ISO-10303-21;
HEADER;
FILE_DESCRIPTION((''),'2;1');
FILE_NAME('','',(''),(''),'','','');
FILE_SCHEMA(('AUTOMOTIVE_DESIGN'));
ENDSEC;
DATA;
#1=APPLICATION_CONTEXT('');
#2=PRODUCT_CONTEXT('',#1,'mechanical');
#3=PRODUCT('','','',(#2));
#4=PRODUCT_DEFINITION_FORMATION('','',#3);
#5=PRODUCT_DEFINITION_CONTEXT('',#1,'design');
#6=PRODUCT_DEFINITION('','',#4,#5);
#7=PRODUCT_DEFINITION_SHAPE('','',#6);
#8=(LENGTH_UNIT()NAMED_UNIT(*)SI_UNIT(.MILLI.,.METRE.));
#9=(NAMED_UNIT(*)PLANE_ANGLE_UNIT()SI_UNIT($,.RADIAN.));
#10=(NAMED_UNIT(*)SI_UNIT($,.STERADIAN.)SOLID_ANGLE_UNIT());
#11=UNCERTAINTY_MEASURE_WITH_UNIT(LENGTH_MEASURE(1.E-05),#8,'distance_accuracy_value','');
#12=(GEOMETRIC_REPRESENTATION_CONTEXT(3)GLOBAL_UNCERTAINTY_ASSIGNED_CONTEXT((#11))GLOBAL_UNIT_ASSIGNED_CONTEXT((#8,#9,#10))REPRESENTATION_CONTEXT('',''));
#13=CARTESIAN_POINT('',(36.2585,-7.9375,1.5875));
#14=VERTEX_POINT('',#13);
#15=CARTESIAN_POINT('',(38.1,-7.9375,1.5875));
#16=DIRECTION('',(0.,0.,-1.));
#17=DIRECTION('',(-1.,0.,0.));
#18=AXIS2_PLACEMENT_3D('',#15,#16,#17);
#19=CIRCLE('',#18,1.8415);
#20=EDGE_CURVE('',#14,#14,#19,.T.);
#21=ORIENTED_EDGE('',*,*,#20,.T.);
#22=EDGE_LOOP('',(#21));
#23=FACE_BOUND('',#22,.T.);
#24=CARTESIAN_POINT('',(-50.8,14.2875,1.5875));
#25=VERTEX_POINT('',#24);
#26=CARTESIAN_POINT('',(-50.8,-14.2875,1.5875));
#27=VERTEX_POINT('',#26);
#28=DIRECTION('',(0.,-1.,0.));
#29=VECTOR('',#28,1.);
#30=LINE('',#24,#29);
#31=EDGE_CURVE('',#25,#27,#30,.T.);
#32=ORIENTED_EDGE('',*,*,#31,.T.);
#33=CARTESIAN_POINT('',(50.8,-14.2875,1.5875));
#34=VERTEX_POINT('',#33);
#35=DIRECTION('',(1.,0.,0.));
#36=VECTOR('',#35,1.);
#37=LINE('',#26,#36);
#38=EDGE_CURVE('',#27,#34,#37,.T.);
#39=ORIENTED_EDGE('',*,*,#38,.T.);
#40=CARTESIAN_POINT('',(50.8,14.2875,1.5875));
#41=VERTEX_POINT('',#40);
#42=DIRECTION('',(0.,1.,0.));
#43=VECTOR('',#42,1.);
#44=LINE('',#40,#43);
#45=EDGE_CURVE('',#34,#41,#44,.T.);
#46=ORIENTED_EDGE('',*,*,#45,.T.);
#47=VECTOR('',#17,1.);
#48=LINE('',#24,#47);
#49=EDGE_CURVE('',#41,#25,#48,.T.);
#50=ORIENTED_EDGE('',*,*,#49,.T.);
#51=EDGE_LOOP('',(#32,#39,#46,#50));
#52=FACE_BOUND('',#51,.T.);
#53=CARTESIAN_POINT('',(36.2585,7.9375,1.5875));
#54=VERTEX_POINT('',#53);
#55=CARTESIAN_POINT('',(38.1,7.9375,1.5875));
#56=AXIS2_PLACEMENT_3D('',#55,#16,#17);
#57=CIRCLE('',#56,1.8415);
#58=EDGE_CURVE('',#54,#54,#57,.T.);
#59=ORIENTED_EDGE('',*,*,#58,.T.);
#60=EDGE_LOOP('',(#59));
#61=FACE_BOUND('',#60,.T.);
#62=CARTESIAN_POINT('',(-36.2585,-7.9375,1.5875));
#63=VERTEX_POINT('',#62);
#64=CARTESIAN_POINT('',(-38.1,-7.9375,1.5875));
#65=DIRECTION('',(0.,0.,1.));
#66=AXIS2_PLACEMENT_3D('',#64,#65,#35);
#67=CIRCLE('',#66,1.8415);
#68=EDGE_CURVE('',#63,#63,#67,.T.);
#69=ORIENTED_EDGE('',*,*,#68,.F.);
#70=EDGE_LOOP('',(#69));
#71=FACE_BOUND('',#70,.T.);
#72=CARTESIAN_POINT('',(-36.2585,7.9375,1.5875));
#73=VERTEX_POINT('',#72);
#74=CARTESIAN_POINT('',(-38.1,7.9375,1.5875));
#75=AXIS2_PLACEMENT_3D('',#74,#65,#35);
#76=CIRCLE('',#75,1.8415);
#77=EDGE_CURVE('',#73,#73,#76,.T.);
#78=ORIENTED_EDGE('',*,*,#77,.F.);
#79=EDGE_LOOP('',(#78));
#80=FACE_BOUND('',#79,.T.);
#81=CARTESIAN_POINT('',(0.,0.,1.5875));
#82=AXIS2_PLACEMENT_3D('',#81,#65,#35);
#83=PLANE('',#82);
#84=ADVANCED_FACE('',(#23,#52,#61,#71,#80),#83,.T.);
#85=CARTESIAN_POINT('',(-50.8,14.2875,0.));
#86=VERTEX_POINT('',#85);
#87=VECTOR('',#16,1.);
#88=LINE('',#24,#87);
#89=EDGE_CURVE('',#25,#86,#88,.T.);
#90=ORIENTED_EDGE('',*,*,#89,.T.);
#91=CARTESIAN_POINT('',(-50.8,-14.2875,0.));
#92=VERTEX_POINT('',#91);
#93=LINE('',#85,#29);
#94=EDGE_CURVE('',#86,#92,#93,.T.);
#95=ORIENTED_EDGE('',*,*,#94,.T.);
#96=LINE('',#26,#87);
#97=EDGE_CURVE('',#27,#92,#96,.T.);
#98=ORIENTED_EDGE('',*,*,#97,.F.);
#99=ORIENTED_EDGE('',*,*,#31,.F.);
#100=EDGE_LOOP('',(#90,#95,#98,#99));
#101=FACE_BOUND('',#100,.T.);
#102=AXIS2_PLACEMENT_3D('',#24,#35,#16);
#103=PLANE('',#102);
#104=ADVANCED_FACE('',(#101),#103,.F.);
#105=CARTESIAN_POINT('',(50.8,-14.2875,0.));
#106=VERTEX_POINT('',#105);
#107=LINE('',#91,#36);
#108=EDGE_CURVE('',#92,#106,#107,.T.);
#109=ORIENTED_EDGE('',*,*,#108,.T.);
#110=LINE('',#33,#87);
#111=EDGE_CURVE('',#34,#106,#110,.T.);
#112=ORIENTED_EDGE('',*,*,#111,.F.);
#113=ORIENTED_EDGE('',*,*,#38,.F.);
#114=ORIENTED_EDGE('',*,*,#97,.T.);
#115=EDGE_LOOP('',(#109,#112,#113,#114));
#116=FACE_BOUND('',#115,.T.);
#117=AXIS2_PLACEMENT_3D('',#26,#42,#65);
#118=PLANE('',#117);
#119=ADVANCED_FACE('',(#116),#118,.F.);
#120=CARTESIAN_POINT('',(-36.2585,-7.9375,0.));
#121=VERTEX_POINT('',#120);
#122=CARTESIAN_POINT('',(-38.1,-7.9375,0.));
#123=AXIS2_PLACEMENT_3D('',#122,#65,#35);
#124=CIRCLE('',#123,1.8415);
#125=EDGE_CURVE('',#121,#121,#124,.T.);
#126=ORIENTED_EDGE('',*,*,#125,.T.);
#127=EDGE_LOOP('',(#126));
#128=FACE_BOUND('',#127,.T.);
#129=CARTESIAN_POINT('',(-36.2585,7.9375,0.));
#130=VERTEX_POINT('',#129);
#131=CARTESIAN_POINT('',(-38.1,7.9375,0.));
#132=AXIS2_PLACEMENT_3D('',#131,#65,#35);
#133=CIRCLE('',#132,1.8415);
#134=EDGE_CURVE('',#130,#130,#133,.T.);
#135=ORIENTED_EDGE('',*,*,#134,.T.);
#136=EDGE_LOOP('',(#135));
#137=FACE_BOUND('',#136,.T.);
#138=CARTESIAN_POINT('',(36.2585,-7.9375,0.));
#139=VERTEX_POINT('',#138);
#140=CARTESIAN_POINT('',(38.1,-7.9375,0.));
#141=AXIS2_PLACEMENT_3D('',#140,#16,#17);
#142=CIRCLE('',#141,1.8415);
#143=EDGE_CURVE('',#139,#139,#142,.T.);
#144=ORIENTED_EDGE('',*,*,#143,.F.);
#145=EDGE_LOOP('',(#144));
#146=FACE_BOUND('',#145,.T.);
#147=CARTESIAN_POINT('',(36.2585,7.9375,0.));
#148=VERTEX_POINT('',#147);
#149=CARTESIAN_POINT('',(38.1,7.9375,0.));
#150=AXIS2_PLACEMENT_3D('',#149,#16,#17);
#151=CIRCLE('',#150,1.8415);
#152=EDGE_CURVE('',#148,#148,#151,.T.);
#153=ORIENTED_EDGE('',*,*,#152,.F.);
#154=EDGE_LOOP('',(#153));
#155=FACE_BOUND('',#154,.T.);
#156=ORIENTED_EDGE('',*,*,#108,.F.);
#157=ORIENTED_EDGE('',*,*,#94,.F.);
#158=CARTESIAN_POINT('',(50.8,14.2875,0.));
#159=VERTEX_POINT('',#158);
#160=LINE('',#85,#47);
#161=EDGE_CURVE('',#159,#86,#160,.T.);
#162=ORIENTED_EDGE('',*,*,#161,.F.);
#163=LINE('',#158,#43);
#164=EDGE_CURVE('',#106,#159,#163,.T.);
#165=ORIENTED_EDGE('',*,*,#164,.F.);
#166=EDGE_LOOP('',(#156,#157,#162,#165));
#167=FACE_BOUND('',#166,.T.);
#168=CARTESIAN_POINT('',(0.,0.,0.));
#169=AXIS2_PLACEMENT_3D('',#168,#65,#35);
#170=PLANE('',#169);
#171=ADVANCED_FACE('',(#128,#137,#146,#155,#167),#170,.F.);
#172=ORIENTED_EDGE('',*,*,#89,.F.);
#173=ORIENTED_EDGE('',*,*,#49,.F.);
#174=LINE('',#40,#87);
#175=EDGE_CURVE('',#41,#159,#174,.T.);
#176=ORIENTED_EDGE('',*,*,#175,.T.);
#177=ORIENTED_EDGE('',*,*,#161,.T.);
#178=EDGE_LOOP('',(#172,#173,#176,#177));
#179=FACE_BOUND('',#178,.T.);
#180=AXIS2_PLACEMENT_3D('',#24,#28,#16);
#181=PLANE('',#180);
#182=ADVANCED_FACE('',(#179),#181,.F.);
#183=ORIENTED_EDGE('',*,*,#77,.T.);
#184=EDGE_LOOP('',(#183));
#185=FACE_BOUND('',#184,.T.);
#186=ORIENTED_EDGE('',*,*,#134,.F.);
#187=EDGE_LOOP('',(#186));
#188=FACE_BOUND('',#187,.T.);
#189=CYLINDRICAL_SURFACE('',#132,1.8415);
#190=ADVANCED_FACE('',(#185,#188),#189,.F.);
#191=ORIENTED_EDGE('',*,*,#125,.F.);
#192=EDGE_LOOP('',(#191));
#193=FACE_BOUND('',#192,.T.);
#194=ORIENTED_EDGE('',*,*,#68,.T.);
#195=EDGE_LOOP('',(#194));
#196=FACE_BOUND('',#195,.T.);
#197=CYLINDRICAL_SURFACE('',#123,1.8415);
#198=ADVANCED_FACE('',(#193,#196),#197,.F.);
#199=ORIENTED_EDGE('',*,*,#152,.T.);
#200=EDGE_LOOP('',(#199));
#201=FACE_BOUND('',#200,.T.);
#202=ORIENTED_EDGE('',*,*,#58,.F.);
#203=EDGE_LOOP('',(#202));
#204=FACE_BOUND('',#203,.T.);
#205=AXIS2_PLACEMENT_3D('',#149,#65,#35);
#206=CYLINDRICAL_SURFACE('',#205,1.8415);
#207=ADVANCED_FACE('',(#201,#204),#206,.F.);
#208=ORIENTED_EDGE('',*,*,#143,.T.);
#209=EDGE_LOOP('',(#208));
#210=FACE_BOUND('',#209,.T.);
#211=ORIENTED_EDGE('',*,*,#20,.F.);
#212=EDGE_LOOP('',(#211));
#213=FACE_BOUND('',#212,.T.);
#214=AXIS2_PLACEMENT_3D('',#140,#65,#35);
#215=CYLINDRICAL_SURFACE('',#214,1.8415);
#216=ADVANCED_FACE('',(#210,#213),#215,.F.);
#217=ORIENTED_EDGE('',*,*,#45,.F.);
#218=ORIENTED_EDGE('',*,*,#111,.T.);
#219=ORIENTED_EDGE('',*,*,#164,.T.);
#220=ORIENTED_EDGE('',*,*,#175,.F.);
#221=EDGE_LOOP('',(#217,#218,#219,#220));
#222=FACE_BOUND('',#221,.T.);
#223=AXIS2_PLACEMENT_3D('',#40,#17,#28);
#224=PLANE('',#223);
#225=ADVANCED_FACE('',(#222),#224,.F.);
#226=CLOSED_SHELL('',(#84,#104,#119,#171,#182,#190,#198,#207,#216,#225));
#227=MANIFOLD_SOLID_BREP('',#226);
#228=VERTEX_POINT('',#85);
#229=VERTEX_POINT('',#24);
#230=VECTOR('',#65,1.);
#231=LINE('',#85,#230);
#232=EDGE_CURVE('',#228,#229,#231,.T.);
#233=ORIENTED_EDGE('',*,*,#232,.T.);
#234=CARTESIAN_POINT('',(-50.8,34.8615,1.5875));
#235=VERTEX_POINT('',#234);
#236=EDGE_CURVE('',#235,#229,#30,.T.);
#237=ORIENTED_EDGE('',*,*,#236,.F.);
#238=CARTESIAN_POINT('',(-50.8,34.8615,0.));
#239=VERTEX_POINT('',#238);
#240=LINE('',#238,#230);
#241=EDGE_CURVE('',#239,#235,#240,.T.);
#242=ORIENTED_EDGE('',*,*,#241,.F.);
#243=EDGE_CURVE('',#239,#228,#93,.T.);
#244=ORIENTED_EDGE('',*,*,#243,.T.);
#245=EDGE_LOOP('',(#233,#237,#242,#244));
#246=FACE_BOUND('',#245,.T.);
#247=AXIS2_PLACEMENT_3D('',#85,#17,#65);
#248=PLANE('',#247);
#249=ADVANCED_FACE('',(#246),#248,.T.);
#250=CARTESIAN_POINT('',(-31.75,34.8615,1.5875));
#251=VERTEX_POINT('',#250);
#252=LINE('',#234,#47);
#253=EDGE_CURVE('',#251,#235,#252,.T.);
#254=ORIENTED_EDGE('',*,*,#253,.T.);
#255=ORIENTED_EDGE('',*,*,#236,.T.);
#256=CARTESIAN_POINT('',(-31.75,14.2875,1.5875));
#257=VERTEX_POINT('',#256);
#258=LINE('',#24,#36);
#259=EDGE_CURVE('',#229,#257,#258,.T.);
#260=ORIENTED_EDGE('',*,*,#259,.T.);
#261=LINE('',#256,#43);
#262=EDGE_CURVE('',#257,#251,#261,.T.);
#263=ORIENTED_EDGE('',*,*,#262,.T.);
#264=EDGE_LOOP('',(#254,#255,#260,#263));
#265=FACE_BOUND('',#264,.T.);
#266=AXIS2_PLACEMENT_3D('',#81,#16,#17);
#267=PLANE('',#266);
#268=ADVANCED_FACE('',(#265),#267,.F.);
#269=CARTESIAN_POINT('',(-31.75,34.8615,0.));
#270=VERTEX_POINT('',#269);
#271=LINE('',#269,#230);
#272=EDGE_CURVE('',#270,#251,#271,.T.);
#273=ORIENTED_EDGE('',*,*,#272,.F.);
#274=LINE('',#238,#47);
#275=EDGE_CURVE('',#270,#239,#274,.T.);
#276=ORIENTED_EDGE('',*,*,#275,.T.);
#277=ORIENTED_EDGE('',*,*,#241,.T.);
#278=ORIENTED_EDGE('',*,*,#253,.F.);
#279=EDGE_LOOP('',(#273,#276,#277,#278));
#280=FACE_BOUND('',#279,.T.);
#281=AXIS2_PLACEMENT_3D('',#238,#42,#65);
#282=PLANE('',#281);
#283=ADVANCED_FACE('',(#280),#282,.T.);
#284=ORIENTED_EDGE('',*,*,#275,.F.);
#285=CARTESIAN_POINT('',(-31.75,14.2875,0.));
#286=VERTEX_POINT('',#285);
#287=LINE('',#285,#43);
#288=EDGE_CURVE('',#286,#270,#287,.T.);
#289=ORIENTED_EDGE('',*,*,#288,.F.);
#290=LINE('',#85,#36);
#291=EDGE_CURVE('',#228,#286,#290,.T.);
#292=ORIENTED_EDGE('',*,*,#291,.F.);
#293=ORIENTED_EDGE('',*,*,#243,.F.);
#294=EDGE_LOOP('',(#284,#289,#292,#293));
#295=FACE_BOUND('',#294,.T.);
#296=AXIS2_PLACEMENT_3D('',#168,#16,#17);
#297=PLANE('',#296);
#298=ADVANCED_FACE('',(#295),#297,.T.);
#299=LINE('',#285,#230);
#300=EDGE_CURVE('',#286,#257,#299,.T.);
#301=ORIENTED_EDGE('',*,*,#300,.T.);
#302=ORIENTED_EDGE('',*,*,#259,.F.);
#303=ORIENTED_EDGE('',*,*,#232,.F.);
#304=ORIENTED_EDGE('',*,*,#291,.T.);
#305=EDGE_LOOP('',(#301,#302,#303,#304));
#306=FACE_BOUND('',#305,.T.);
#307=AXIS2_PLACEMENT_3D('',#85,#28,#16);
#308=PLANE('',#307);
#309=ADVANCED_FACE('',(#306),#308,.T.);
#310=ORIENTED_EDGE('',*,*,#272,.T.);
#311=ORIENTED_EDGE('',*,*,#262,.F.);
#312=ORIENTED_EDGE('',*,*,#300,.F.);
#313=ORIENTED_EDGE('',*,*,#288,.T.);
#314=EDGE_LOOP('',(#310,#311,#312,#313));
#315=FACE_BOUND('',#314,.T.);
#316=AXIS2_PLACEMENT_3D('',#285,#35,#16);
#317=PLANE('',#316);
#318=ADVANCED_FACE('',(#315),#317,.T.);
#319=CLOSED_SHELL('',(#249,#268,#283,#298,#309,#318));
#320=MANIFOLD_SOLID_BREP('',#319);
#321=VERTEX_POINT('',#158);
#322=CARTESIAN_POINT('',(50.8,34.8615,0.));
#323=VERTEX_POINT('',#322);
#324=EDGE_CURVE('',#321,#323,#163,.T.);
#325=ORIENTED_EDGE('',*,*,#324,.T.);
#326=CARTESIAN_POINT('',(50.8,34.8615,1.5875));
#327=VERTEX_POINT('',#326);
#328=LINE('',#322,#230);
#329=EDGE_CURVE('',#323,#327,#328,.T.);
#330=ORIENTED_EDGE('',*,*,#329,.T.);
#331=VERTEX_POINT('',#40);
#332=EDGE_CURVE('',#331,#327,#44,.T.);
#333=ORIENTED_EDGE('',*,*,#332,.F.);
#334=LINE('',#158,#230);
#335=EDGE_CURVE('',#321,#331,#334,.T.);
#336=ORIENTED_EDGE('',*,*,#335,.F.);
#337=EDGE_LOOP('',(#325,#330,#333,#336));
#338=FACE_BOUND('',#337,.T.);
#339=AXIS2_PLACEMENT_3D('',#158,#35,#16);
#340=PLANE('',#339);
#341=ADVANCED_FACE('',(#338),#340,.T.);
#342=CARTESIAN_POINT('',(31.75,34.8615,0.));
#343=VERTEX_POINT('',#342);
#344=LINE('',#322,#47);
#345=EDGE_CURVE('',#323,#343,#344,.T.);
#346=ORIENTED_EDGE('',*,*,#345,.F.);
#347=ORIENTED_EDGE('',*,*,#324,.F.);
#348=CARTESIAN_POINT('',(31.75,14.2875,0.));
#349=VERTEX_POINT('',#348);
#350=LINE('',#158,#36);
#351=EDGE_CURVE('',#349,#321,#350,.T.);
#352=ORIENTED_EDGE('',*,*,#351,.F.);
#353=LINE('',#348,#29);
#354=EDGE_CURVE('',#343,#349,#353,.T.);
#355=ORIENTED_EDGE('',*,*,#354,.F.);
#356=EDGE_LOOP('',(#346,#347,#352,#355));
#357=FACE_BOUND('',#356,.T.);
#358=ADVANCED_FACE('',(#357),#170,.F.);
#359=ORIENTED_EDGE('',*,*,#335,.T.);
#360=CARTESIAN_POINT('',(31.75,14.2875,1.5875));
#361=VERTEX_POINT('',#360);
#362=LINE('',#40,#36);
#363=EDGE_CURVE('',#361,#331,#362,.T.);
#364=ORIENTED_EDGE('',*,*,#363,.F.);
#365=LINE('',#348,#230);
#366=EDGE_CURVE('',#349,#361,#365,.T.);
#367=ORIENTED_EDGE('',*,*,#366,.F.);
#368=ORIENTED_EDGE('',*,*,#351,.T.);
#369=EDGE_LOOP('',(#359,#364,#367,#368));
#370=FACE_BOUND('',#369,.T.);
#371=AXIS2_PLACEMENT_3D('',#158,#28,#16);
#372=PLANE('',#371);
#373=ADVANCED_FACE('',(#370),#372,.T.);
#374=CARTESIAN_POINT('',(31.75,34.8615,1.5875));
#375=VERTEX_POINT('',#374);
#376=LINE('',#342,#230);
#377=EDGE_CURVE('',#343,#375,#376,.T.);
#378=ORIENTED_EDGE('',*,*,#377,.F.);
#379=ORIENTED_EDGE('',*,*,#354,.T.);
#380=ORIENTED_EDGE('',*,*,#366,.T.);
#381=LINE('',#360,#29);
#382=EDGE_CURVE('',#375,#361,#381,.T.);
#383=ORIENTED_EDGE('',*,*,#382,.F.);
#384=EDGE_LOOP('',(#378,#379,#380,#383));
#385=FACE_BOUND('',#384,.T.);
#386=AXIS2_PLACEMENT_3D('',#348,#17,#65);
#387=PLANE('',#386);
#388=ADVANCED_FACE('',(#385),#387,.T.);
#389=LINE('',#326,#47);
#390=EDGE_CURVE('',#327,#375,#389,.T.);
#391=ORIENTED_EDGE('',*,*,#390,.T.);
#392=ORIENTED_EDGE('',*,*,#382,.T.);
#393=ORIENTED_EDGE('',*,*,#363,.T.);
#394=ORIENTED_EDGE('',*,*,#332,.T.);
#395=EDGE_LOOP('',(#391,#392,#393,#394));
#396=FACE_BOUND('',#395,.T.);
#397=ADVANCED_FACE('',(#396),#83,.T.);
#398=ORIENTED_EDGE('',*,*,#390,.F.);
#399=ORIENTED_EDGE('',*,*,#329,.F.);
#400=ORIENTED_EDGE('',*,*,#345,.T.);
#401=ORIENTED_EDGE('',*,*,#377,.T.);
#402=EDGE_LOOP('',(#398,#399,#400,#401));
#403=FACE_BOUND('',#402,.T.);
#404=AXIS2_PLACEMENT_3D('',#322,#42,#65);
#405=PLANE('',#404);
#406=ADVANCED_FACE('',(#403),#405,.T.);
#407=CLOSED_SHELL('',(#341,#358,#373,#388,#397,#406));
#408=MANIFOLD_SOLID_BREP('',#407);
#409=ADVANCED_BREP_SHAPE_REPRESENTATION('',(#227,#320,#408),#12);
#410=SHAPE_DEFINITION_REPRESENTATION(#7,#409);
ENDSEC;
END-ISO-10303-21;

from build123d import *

# Parameters (mm, degrees)
SKETCH1_W             = 101.6
SKETCH1_H             = 28.575
BOSS_EXTRUDE1_DEPTH   = 1.5875
SKETCH2_R             = 1.8415
CUT_EXTRUDE1_DEPTH    = 53.794818046
SKETCH3_W             = 19.05
SKETCH3_H             = 20.574
BOSS_EXTRUDE2_DEPTH   = 1.5875
BOSS_EXTRUDE2_2_DEPTH = 1.5875


with BuildPart() as part:
    # Sketch1 → Boss-Extrude1 (new body)
    with BuildSketch(Plane.XY):
        Rectangle(SKETCH1_W, SKETCH1_H)
    extrude(amount=BOSS_EXTRUDE1_DEPTH)

    # Sketch2 → Cut-Extrude1 (cut, through all)
    with BuildSketch(Plane.XY.offset(1.5875)):
        with Locations((-38.1, 7.9375)):
            Circle(SKETCH2_R)
        with Locations((-38.1, -7.9375)):
            Circle(SKETCH2_R)
    cut_extrude1 = extrude(amount=-CUT_EXTRUDE1_DEPTH, mode=Mode.SUBTRACT)

    # Mirror1: Cut-Extrude1 across plane
    add(cut_extrude1.mirror(Plane(origin=(0, 0, 0), x_dir=(0, 0, 1), z_dir=(1, 0, 0))), mode=Mode.SUBTRACT)


with BuildPart() as body_2:
    # Sketch3 → Boss-Extrude2 (new body)
    with BuildSketch(Plane.XY.offset(1.5875)):
        with Locations((-41.275, 24.5745)):
            Rectangle(SKETCH3_W, SKETCH3_H)
    extrude(amount=-BOSS_EXTRUDE2_DEPTH)


with BuildPart() as body_3:
    # Sketch3 → Boss-Extrude2 2 (new body)
    with BuildSketch(Plane.XY.offset(1.5875)):
        with Locations((41.275, 24.5745)):
            Rectangle(SKETCH3_W, SKETCH3_H)
    extrude(amount=-BOSS_EXTRUDE2_2_DEPTH)


solid = Compound([part.part, body_2.part, body_3.part])
